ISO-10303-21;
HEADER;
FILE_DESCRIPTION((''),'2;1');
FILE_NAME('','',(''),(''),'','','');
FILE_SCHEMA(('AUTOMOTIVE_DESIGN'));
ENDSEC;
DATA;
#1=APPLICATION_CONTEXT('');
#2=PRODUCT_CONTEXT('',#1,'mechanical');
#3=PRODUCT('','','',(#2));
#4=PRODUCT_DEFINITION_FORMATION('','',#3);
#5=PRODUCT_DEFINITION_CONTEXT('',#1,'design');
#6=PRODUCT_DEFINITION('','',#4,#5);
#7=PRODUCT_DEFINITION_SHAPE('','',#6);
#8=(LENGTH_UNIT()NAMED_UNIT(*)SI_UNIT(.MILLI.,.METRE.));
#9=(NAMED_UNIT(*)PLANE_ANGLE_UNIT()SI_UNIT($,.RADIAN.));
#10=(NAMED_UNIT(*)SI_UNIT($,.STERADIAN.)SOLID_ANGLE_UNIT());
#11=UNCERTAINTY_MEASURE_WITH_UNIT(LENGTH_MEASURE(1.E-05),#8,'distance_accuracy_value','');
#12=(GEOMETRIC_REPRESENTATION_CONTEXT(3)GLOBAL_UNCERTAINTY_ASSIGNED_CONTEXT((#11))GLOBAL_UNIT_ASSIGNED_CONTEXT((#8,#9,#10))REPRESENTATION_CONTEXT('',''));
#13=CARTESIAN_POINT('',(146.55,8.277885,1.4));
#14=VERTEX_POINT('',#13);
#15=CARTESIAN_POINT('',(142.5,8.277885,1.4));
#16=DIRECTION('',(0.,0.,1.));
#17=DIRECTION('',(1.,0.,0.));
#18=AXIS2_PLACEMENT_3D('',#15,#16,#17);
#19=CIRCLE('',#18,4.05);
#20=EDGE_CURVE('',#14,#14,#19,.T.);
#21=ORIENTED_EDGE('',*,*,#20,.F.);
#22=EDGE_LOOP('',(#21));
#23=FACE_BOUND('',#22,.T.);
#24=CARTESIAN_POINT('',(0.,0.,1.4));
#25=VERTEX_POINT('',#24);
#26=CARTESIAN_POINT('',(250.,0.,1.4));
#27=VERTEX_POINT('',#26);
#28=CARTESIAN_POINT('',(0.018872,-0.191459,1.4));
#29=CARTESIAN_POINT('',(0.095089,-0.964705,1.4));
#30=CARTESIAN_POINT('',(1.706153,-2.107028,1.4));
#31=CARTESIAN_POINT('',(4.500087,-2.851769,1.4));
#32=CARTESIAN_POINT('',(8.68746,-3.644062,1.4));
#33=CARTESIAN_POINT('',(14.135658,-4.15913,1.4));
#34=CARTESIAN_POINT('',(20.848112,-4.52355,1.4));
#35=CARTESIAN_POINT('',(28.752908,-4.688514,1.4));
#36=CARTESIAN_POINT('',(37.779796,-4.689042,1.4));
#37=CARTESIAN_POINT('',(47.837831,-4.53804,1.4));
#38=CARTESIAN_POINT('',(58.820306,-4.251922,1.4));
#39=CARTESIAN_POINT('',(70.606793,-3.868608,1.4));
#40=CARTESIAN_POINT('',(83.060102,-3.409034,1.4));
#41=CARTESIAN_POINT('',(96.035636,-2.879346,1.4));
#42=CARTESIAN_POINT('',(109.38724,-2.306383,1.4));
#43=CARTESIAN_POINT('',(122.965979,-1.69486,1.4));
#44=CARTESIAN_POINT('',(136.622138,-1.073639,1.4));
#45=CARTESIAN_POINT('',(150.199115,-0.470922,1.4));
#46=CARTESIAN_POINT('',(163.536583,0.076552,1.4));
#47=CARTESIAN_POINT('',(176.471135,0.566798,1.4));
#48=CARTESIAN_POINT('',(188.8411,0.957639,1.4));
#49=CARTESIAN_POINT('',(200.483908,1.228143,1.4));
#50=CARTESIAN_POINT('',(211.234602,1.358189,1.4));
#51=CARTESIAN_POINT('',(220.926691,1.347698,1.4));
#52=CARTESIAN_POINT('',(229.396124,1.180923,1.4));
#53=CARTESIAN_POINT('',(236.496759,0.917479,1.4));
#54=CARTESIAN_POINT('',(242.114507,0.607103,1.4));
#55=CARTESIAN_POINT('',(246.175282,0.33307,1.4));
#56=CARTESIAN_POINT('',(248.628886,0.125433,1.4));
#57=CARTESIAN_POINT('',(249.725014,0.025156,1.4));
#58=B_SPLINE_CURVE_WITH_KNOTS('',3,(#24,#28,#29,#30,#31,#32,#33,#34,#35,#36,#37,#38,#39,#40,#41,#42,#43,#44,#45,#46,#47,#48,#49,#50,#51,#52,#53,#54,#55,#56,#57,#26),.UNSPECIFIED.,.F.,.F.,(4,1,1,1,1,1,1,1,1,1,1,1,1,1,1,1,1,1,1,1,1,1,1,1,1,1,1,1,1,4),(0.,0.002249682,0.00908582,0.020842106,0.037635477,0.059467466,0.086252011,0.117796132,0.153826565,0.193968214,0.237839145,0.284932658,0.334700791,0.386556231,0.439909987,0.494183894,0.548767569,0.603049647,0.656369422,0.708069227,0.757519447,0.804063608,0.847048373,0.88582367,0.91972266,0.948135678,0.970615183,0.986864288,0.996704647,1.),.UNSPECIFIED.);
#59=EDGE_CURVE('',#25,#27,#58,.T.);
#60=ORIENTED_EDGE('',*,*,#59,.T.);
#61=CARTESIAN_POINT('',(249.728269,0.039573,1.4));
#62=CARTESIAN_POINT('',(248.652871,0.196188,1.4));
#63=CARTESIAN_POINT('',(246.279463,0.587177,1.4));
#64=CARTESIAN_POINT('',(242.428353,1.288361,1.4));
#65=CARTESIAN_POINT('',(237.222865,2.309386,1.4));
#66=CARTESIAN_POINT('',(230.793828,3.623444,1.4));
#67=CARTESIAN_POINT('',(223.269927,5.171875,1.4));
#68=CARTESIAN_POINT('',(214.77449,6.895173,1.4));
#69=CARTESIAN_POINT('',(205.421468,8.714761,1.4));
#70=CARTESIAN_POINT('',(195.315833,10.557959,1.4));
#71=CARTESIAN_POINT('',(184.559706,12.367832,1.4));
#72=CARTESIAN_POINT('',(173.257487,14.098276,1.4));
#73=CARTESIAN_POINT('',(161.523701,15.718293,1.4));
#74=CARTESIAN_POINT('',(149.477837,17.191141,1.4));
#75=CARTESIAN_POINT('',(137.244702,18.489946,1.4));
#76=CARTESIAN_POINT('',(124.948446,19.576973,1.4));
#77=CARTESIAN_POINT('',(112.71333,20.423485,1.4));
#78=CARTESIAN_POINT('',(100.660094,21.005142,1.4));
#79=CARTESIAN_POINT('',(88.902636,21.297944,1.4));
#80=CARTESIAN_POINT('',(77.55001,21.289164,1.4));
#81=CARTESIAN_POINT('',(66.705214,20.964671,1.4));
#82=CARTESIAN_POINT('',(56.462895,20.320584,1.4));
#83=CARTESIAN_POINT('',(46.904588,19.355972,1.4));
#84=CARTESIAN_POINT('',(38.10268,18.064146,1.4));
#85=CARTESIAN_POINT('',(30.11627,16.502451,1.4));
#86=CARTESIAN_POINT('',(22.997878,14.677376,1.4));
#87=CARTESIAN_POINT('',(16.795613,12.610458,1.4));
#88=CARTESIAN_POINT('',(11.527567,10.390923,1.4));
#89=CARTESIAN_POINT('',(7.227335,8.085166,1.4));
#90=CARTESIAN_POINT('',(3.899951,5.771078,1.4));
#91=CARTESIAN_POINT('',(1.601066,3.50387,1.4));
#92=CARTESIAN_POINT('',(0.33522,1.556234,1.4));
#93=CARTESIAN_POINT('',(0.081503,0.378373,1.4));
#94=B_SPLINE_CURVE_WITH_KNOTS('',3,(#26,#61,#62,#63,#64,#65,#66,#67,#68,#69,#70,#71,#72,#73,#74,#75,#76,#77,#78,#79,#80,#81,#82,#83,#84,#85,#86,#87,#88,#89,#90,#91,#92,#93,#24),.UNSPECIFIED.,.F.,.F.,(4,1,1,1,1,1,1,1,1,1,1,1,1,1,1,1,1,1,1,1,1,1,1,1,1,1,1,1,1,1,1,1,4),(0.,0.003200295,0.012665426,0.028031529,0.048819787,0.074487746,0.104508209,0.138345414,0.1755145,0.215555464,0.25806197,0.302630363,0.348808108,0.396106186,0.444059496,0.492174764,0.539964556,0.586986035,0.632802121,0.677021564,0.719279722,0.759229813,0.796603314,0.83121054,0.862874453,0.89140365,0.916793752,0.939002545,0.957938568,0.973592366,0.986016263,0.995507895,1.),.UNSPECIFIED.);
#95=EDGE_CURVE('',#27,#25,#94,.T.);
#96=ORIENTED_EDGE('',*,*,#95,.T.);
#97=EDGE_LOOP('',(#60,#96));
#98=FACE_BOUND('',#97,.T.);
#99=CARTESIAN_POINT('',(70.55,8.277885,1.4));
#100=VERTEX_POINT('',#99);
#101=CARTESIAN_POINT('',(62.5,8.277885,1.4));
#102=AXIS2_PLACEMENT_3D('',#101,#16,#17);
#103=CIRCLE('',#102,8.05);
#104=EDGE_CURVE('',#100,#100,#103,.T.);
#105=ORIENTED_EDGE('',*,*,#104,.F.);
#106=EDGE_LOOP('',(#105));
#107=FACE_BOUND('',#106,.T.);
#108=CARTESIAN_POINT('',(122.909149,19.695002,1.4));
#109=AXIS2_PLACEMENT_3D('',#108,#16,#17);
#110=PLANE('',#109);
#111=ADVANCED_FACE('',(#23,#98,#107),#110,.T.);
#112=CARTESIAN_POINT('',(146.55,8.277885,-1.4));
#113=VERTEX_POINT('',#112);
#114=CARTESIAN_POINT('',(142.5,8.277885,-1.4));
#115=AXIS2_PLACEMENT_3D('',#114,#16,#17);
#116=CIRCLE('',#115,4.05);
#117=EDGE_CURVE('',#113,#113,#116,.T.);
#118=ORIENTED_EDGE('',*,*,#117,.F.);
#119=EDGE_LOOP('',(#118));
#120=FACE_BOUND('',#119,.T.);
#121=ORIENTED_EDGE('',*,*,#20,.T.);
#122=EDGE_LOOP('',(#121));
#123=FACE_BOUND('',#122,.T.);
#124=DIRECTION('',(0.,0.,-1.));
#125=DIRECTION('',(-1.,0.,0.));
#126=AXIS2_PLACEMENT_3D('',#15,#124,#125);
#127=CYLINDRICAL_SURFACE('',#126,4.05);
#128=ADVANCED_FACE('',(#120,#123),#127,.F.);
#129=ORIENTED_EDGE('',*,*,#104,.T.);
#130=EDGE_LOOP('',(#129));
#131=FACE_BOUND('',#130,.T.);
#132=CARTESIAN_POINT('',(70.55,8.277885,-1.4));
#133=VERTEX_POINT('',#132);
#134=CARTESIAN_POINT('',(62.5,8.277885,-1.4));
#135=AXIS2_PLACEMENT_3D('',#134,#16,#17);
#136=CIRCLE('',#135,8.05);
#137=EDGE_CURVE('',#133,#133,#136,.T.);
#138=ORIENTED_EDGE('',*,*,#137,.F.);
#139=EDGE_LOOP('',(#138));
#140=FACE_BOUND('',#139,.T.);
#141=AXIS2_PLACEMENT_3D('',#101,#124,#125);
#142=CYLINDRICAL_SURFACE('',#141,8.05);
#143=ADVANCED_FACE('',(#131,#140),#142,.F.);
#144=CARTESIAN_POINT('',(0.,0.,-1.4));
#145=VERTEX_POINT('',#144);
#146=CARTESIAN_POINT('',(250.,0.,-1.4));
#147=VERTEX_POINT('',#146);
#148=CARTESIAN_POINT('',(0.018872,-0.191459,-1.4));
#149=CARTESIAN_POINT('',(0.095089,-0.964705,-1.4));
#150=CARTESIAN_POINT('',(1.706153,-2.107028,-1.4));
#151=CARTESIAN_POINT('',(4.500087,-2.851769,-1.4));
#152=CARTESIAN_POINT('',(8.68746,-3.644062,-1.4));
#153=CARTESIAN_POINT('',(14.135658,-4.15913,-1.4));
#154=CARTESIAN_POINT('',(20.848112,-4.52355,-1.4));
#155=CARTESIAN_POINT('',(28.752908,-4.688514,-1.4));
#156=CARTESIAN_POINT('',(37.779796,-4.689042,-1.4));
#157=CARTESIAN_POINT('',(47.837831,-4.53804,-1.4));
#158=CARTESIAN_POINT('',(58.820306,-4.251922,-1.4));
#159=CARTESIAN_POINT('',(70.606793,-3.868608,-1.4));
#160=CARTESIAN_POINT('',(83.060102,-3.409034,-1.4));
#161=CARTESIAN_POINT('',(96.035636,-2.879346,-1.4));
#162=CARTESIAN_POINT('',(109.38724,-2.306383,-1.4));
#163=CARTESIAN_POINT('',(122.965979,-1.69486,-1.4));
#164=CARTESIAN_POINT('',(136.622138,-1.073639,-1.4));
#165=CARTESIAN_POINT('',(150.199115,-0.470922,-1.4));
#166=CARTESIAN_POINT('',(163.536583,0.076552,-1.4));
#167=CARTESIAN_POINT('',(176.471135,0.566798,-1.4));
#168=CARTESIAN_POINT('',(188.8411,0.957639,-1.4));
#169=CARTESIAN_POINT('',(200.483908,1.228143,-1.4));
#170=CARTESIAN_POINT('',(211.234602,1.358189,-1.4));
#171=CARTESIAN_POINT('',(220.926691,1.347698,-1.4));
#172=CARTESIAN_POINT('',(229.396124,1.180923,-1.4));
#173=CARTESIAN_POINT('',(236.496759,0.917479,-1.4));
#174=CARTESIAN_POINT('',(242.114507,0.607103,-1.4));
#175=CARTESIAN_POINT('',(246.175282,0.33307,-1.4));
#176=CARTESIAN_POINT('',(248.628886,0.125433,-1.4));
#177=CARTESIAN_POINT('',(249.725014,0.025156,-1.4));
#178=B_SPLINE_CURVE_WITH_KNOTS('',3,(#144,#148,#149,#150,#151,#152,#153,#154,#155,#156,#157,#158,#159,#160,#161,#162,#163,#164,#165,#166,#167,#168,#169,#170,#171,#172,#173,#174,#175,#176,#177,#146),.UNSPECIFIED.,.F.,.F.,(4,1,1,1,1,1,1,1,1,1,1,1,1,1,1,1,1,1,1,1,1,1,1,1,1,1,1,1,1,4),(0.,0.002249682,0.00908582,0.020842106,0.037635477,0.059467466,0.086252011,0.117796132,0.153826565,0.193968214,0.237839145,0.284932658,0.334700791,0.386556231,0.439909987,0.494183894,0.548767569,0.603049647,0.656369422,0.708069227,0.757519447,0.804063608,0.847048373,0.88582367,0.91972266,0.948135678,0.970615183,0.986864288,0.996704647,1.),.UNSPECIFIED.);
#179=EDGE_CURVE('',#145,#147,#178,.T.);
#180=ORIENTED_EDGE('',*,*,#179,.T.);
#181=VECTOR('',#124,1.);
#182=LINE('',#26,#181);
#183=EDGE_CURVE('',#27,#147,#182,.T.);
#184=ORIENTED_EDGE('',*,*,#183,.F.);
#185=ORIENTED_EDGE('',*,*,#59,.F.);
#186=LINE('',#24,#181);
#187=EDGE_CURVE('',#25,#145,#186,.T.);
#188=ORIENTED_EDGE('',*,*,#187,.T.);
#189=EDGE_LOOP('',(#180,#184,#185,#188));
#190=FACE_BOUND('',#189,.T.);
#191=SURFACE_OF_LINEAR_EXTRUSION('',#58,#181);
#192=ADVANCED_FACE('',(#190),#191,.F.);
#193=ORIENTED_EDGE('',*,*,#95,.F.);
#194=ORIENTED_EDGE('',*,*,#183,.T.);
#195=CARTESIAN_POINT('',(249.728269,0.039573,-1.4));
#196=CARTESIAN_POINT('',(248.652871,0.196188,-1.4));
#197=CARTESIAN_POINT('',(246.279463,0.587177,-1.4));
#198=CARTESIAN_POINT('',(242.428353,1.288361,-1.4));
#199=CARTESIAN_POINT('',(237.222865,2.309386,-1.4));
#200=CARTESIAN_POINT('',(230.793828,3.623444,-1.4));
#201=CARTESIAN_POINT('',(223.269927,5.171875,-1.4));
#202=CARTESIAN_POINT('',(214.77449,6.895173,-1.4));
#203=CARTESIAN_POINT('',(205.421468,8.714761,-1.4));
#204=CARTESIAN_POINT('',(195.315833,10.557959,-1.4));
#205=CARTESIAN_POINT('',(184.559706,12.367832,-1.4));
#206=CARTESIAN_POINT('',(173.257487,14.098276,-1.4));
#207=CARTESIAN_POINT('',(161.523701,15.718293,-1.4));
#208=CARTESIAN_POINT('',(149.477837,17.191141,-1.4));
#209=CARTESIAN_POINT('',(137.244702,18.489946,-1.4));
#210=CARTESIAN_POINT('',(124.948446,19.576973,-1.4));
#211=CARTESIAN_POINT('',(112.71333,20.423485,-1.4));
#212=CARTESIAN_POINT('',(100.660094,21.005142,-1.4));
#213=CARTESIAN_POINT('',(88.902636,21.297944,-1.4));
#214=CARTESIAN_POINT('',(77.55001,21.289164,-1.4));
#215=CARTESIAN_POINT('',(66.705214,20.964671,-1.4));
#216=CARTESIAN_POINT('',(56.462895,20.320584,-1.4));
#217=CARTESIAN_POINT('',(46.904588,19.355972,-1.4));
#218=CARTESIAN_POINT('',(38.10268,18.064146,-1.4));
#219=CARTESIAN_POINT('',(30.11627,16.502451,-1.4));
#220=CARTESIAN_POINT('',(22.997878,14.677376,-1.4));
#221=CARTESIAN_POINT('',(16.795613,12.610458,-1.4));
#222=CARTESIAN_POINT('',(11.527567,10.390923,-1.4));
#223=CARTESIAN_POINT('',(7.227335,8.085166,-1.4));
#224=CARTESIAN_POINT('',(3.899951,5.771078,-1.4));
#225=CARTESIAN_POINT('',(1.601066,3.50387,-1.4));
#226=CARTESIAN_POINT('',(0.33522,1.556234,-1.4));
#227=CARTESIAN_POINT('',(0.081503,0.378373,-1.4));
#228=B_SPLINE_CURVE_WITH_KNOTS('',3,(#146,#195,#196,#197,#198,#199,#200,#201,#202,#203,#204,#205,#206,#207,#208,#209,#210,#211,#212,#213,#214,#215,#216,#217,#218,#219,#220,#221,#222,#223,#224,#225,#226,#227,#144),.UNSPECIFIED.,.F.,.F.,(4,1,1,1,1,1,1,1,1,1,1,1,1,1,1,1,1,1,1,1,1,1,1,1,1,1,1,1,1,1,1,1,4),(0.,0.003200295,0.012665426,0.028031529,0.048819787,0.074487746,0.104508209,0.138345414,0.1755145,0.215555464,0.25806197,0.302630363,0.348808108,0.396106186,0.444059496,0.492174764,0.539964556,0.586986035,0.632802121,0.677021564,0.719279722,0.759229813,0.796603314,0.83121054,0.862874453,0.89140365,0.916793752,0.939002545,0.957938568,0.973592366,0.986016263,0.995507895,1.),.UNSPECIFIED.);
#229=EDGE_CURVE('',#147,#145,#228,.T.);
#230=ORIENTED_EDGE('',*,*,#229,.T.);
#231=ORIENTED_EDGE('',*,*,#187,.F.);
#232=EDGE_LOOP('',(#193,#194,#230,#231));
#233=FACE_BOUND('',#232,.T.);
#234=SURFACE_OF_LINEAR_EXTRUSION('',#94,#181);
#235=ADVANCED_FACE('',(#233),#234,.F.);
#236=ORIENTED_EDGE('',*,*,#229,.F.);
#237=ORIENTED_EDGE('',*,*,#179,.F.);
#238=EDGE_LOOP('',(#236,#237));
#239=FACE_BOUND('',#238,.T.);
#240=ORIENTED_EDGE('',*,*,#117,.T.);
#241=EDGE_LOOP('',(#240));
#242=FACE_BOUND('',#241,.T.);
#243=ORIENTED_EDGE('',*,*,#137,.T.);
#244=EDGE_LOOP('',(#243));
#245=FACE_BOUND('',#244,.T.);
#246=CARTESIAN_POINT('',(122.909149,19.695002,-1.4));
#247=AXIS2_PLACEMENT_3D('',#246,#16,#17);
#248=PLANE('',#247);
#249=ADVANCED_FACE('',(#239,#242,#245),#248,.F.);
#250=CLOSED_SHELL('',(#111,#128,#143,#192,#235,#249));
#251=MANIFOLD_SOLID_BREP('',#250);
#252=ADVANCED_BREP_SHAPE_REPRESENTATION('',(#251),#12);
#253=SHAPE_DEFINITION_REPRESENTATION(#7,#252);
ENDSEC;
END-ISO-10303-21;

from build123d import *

# Parameters (mm, degrees)
SKETCH_1_R      = 8.05
SKETCH_1_R_2    = 4.05
EXTRUDE_1_DEPTH = 1.4


with BuildPart() as part:
    # Эскиз1 → Бобышка-Вытянуть1 (new, symmetric)
    with BuildSketch(Plane.XY):
        with BuildLine():
            add(Edge.make_bspline(
                [(0, 0), (0.018871718, -0.191458654), (0.095089169, -0.964705177), (1.706152902, -2.107027665), (4.500087477, -2.851769067), (8.687459942, -3.644061995), (14.135657503, -4.15912967), (20.848112012, -4.523549846), (28.752907792, -4.688514126), (37.779795609, -4.689041954), (47.837831161, -4.538039503), (58.820306374, -4.251921588), (70.60679251, -3.868608025), (83.06010153, -3.409033778), (96.035635701, -2.879346251), (109.387239837, -2.306383388), (122.965978931, -1.694860333), (136.622137743, -1.073639089), (150.199115392, -0.470922151), (163.53658295, 0.076551628), (176.471135172, 0.566798188), (188.841099972, 0.957639353), (200.483907746, 1.228143059), (211.234601881, 1.358189011), (220.926690721, 1.347697775), (229.39612438, 1.180923212), (236.49675891, 0.917479418), (242.114506532, 0.607102556), (246.175281813, 0.33307026), (248.628885905, 0.125433469), (249.725014491, 0.025156467), (250, 0)],
                knots=[0, 0, 0, 0, 0.002249682, 0.00908582, 0.020842106, 0.037635477, 0.059467466, 0.086252011, 0.117796132, 0.153826565, 0.193968214, 0.237839145, 0.284932658, 0.334700791, 0.386556231, 0.439909987, 0.494183894, 0.548767569, 0.603049647, 0.656369422, 0.708069227, 0.757519447, 0.804063608, 0.847048373, 0.88582367, 0.91972266, 0.948135678, 0.970615183, 0.986864288, 0.996704647, 1, 1, 1, 1], degree=3))
            add(Edge.make_bspline(
                [(250, 0), (249.728268944, 0.039573403), (248.652871383, 0.196188336), (246.279462903, 0.587177037), (242.428352959, 1.288360809), (237.222865341, 2.309386038), (230.793827799, 3.623444219), (223.269926583, 5.171874609), (214.774490127, 6.895172568), (205.42146764, 8.714760581), (195.315832501, 10.557958922), (184.559706128, 12.367831659), (173.257486693, 14.098275825), (161.523700661, 15.718292983), (149.477836757, 17.191140895), (137.244702141, 18.489945542), (124.948445657, 19.576972699), (112.713330041, 20.423484935), (100.660093739, 21.0051416), (88.90263645, 21.29794381), (77.55000993, 21.289164114), (66.705214259, 20.964670685), (56.462895388, 20.320583614), (46.904588499, 19.355972032), (38.102679916, 18.064146226), (30.116269619, 16.50245056), (22.997877518, 14.677376208), (16.795613257, 12.610458157), (11.527567398, 10.390923155), (7.227335291, 8.085166418), (3.899950905, 5.771078051), (1.601065908, 3.503870395), (0.335220365, 1.556233861), (0.081503465, 0.378373349), (0, 0)],
                knots=[0, 0, 0, 0, 0.003200295, 0.012665426, 0.028031529, 0.048819787, 0.074487746, 0.104508209, 0.138345414, 0.1755145, 0.215555464, 0.25806197, 0.302630363, 0.348808108, 0.396106186, 0.444059496, 0.492174764, 0.539964556, 0.586986035, 0.632802121, 0.677021564, 0.719279722, 0.759229813, 0.796603314, 0.83121054, 0.862874453, 0.89140365, 0.916793752, 0.939002545, 0.957938568, 0.973592366, 0.986016263, 0.995507895, 1, 1, 1, 1], degree=3))
        make_face()
        with Locations((62.5, 8.277885291)):
            Circle(SKETCH_1_R, mode=Mode.SUBTRACT)
        with Locations((142.5, 8.277885291)):
            Circle(SKETCH_1_R_2, mode=Mode.SUBTRACT)
    extrude(amount=EXTRUDE_1_DEPTH, both=True)


solid = part.part
